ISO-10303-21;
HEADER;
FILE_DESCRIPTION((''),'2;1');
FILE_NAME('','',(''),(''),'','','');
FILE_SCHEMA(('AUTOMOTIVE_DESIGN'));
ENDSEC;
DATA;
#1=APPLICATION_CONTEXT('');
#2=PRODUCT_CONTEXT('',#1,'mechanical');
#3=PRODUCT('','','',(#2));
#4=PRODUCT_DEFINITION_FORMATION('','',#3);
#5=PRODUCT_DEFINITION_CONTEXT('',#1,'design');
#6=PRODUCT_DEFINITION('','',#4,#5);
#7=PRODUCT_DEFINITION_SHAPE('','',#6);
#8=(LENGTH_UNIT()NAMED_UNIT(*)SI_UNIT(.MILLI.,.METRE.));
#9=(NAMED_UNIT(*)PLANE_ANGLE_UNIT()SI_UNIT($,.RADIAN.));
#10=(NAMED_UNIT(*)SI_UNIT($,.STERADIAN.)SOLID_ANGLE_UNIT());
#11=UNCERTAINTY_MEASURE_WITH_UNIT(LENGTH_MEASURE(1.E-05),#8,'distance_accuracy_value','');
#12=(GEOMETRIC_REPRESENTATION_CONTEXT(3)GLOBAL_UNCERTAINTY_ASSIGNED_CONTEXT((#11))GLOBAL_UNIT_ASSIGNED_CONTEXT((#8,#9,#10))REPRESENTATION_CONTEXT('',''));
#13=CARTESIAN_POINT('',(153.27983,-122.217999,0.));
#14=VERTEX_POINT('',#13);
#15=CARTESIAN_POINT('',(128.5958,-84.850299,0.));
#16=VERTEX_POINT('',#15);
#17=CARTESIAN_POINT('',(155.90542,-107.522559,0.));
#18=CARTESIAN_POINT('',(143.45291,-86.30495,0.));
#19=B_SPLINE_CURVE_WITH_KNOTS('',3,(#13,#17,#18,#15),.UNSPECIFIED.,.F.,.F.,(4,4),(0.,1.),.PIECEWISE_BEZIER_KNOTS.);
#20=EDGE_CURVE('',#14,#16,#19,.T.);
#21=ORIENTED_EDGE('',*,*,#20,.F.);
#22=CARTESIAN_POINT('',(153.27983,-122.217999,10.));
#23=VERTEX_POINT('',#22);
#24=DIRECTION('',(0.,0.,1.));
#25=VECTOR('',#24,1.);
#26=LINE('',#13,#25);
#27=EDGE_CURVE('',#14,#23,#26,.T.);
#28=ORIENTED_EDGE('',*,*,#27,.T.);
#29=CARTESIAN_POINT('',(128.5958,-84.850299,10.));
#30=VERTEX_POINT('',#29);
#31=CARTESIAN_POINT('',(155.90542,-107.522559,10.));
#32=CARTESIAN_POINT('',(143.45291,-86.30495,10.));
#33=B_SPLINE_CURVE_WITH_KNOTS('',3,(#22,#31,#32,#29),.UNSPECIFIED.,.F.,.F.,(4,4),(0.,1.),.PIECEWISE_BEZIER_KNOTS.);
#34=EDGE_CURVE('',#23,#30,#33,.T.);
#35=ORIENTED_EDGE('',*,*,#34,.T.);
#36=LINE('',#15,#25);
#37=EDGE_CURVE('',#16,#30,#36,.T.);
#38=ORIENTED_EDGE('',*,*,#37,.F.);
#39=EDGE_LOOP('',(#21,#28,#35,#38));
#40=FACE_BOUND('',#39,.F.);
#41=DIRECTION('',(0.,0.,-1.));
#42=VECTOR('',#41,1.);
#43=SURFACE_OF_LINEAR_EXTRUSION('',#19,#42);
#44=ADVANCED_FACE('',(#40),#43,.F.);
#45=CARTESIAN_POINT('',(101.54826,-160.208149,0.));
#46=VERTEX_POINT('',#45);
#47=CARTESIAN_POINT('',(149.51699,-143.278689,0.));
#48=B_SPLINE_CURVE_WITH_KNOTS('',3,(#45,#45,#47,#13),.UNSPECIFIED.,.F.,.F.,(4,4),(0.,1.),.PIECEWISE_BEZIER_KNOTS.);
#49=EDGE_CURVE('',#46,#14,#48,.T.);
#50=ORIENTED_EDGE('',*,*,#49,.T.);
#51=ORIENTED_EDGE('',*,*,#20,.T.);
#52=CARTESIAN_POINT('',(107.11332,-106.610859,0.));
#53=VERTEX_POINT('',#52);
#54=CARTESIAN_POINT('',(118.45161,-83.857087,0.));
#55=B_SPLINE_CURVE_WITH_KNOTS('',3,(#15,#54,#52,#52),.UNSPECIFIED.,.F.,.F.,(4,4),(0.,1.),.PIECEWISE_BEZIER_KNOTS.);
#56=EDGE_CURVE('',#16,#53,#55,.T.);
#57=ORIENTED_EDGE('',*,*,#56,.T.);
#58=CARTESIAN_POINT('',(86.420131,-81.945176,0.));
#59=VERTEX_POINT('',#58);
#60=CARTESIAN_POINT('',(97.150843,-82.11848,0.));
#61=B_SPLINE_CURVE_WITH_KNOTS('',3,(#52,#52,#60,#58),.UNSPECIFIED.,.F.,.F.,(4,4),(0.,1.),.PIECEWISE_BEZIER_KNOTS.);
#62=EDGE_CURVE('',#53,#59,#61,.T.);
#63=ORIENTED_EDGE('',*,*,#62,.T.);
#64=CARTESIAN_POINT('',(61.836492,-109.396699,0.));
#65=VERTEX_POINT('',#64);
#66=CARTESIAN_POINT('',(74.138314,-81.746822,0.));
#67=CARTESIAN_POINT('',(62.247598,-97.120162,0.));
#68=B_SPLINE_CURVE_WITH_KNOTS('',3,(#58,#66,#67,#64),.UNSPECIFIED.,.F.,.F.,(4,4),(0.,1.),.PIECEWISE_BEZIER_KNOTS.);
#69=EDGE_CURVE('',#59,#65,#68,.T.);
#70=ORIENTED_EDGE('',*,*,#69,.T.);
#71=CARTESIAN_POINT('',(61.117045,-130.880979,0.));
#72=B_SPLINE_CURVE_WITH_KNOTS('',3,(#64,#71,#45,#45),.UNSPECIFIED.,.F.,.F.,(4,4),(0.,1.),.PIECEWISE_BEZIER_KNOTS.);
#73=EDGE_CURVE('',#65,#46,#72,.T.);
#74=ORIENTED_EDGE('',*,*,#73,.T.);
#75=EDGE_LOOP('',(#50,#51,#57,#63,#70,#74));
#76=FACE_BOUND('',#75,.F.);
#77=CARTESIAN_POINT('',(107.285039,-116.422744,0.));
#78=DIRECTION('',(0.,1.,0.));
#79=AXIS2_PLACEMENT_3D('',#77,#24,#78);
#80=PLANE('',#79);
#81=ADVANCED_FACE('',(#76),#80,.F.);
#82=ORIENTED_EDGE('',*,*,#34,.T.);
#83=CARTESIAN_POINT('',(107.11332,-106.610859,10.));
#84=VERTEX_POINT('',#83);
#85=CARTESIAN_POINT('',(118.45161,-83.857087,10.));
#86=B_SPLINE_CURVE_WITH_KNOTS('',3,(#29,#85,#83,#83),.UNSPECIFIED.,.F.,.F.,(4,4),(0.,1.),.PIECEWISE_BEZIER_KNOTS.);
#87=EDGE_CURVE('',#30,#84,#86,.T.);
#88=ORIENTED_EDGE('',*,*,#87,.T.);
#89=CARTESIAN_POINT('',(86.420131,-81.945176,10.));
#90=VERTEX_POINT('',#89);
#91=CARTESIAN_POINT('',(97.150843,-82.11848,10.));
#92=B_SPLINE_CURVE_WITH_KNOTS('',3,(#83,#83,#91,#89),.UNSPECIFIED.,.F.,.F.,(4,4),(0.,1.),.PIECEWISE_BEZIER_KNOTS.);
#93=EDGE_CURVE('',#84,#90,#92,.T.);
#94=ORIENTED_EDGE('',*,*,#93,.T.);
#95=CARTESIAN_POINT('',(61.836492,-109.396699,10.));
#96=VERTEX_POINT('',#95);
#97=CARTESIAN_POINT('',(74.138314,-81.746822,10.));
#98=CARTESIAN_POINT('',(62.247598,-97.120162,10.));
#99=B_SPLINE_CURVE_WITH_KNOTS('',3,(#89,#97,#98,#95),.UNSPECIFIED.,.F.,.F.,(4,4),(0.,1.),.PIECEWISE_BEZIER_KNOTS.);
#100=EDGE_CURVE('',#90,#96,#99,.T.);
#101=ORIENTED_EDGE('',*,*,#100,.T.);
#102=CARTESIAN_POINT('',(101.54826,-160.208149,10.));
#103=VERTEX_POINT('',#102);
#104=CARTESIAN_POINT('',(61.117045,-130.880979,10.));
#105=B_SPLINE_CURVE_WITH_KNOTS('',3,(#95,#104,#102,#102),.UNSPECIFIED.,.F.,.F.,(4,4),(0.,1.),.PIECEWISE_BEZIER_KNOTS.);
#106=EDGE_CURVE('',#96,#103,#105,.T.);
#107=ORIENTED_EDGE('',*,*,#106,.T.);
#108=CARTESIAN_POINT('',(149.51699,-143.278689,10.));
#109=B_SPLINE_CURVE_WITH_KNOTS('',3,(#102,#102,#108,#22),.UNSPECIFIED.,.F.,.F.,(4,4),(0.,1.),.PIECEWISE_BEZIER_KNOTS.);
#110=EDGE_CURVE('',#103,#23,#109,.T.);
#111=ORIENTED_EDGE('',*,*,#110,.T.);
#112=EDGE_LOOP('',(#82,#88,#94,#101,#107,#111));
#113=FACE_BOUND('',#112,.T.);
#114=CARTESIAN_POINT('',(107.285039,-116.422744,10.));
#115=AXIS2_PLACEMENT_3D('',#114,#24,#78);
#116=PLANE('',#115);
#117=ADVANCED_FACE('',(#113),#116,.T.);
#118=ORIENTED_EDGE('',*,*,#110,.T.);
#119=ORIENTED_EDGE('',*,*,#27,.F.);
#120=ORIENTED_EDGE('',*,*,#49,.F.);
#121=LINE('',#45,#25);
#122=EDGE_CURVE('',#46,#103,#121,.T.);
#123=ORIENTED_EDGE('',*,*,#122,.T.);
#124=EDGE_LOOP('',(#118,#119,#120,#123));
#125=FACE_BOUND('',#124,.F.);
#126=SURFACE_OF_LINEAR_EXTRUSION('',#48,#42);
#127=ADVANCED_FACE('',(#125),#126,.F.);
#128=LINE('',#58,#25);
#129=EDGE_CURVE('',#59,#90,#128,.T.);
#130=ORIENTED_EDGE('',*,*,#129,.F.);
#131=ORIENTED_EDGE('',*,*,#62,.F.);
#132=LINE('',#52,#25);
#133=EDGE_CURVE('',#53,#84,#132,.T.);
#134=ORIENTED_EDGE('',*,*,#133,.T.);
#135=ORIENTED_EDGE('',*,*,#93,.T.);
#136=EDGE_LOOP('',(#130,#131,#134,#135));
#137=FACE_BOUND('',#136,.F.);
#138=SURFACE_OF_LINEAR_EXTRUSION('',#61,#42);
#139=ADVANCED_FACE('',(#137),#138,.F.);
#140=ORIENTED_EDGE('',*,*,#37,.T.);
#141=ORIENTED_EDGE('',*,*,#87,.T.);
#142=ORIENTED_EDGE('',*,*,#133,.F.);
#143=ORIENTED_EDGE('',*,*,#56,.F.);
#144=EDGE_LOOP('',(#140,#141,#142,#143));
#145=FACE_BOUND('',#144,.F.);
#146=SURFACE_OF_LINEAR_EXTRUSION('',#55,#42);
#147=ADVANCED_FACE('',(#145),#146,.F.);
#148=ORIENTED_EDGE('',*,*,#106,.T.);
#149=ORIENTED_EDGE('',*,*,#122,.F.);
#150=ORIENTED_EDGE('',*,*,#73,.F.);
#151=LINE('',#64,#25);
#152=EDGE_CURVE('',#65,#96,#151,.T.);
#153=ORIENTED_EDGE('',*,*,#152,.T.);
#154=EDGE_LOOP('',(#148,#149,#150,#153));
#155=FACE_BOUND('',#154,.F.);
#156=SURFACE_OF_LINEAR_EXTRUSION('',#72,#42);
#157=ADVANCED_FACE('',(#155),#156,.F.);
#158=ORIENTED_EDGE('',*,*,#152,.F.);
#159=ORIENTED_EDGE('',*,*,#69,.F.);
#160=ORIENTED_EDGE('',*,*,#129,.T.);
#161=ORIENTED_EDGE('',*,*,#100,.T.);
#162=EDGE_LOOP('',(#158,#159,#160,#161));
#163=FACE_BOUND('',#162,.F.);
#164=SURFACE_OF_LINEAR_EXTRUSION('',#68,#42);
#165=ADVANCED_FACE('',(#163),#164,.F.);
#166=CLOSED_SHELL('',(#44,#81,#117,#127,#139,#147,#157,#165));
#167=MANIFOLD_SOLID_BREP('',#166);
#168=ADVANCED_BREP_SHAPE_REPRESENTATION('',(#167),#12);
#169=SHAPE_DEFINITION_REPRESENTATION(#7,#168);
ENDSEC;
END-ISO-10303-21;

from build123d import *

# Parameters (mm, degrees)
EXTRUDE_DEPTH = 10


with BuildPart() as part:
    # path1 → Extrude (new body)
    with BuildSketch(Plane(origin=(108.25789, -120.977486, 0), x_dir=(0, 1, 0), z_dir=(0, 0, 1))):
        with BuildLine():
            add(Edge.make_bspline(
                [(-39.230663, 6.70963), (-39.230663, 6.70963), (-22.301203, -41.2591), (-1.240513, -45.02194)],
                knots=[0, 0, 0, 0, 1, 1, 1, 1], degree=3))
            add(Edge.make_bspline(
                [(-1.240513, -45.02194), (13.454927, -47.64753), (34.672536, -35.19502), (36.127187, -20.33791)],
                knots=[0, 0, 0, 0, 1, 1, 1, 1], degree=3))
            add(Edge.make_bspline(
                [(36.127187, -20.33791), (37.120399, -10.19372), (14.366627, 1.14457), (14.366627, 1.14457)],
                knots=[0, 0, 0, 0, 1, 1, 1, 1], degree=3))
            add(Edge.make_bspline(
                [(14.366627, 1.14457), (14.366627, 1.14457), (38.859006, 11.107047), (39.03231, 21.837759)],
                knots=[0, 0, 0, 0, 1, 1, 1, 1], degree=3))
            add(Edge.make_bspline(
                [(39.03231, 21.837759), (39.230664, 34.119576), (23.857324, 46.010292), (11.580787, 46.421398)],
                knots=[0, 0, 0, 0, 1, 1, 1, 1], degree=3))
            add(Edge.make_bspline(
                [(11.580787, 46.421398), (-9.903493, 47.140845), (-39.230663, 6.70963), (-39.230663, 6.70963)],
                knots=[0, 0, 0, 0, 1, 1, 1, 1], degree=3))
        make_face()
    extrude(amount=EXTRUDE_DEPTH)


solid = part.part
